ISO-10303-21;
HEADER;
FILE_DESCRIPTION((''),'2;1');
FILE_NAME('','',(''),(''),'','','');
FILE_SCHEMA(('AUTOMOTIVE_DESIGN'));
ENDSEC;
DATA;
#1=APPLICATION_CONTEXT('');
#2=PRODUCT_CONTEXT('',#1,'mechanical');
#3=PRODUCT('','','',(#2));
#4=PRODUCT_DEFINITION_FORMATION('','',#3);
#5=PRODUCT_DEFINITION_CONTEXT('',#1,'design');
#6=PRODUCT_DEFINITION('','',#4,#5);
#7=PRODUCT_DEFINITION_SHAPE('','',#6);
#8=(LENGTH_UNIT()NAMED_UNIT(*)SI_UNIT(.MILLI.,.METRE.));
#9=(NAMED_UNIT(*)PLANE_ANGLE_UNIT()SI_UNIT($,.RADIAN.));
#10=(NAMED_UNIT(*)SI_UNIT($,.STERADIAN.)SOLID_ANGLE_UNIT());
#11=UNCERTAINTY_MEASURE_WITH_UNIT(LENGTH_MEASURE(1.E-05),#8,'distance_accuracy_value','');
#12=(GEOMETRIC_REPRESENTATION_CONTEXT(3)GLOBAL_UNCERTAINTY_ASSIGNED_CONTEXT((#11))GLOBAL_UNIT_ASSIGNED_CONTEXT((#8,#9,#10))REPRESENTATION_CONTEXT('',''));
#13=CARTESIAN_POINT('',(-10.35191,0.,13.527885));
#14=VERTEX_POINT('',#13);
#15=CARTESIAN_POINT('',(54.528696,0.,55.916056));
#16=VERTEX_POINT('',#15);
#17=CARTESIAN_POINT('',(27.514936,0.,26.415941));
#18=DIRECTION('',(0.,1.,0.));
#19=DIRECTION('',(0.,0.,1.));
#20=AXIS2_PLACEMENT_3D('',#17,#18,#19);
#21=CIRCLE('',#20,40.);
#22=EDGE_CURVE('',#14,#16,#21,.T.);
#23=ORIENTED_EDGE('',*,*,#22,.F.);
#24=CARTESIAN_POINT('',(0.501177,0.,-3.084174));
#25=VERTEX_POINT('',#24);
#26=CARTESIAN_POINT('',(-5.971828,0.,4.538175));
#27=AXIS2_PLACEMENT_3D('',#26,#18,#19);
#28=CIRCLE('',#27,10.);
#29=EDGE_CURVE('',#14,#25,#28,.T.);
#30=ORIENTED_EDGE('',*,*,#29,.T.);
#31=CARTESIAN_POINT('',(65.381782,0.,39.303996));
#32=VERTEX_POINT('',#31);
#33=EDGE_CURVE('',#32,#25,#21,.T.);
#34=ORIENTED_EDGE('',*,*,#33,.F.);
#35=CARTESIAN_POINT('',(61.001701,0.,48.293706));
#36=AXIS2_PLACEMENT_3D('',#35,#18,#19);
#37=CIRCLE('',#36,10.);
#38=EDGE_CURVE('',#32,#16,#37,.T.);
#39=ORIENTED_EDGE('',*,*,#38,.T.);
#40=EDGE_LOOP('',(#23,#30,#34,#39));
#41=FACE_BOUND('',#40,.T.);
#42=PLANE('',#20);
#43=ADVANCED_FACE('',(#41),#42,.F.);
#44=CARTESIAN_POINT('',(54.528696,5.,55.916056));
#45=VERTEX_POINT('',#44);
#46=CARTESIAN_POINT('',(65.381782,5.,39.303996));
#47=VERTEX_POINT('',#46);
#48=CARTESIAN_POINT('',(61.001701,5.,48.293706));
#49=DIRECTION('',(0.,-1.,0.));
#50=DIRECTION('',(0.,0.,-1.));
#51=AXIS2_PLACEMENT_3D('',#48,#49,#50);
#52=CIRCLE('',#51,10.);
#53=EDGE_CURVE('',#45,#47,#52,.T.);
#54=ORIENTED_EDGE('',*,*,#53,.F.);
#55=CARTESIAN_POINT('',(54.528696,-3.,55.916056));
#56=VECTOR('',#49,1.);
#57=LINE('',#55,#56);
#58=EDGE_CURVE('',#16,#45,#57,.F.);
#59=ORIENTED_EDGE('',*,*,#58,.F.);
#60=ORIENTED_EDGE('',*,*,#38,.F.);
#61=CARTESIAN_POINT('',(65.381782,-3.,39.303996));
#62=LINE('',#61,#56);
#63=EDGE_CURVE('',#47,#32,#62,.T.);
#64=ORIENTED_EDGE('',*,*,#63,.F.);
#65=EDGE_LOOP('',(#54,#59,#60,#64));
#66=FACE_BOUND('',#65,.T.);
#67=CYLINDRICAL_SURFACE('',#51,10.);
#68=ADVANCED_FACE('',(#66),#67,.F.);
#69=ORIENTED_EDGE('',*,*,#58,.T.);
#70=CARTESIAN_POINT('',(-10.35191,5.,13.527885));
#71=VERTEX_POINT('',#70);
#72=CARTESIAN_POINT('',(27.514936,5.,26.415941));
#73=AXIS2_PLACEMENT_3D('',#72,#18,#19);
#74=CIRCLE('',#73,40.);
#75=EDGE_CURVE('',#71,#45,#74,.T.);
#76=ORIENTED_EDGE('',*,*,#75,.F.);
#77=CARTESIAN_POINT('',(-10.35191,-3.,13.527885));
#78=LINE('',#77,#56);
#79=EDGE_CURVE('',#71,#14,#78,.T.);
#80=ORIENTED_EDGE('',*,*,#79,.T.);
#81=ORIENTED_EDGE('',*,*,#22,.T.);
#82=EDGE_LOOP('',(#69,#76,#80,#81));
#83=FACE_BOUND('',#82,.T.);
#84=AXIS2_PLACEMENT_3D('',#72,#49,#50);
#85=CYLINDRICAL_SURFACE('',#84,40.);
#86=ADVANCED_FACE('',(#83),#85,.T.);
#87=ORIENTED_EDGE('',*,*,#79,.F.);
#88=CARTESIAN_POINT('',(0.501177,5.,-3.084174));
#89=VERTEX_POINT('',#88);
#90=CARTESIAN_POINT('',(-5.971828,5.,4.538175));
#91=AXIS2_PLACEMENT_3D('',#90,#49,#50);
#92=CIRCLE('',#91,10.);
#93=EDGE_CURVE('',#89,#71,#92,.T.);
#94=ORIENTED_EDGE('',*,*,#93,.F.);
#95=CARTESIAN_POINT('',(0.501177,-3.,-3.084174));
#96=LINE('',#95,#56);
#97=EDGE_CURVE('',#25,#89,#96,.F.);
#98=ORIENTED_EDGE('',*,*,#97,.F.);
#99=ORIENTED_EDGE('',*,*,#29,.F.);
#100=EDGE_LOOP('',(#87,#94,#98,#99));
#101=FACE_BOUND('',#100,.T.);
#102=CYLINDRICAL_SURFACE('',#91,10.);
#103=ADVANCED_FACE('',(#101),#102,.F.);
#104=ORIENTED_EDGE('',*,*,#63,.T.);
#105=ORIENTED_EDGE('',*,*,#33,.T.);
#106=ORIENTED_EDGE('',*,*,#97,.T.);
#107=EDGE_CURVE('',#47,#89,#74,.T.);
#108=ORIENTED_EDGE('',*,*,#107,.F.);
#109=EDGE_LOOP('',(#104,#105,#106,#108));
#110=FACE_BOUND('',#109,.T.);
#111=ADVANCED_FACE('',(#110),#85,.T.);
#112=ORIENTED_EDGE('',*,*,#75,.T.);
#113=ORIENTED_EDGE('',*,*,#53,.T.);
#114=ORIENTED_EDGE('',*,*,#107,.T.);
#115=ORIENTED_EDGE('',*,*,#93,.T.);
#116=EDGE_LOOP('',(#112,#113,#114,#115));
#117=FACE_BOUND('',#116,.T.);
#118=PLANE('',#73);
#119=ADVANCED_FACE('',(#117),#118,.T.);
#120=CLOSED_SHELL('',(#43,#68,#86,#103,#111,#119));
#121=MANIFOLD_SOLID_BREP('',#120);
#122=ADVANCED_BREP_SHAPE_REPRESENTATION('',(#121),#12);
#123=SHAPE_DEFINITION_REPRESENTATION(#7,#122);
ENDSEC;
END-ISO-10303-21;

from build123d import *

# Parameters (mm, degrees)
SKETCH_1_R          = 40
EXTRUDE_1_DEPTH     = 5
SKETCH_3D_1_R       = 10
CUT_EXTRUDE_1_DEPTH = 16


with BuildPart() as part:
    # 草图1 → 凸台-拉伸1 (new body)
    with BuildSketch(Plane(origin=(0, 0, 0), x_dir=(1, 0, 0), z_dir=(0, 1, 0))):
        with Locations(Location((27.514936432, -26.415940822, 0), (0, 0, 270))):
            Circle(SKETCH_1_R)
    extrude(amount=EXTRUDE_1_DEPTH)

    # Sketch 3D_1 → 切除-拉伸1 (cut)
    with BuildSketch(Plane(origin=(-5.971827741, 5, 4.538175277), x_dir=(0.8371691043312224, 0, 0.5469441386039886), z_dir=(0, -1, 0))):
        Circle(SKETCH_3D_1_R)
        with Locations((80, 0)):
            Circle(SKETCH_3D_1_R)
    extrude(amount=CUT_EXTRUDE_1_DEPTH, mode=Mode.SUBTRACT)


solid = part.part
